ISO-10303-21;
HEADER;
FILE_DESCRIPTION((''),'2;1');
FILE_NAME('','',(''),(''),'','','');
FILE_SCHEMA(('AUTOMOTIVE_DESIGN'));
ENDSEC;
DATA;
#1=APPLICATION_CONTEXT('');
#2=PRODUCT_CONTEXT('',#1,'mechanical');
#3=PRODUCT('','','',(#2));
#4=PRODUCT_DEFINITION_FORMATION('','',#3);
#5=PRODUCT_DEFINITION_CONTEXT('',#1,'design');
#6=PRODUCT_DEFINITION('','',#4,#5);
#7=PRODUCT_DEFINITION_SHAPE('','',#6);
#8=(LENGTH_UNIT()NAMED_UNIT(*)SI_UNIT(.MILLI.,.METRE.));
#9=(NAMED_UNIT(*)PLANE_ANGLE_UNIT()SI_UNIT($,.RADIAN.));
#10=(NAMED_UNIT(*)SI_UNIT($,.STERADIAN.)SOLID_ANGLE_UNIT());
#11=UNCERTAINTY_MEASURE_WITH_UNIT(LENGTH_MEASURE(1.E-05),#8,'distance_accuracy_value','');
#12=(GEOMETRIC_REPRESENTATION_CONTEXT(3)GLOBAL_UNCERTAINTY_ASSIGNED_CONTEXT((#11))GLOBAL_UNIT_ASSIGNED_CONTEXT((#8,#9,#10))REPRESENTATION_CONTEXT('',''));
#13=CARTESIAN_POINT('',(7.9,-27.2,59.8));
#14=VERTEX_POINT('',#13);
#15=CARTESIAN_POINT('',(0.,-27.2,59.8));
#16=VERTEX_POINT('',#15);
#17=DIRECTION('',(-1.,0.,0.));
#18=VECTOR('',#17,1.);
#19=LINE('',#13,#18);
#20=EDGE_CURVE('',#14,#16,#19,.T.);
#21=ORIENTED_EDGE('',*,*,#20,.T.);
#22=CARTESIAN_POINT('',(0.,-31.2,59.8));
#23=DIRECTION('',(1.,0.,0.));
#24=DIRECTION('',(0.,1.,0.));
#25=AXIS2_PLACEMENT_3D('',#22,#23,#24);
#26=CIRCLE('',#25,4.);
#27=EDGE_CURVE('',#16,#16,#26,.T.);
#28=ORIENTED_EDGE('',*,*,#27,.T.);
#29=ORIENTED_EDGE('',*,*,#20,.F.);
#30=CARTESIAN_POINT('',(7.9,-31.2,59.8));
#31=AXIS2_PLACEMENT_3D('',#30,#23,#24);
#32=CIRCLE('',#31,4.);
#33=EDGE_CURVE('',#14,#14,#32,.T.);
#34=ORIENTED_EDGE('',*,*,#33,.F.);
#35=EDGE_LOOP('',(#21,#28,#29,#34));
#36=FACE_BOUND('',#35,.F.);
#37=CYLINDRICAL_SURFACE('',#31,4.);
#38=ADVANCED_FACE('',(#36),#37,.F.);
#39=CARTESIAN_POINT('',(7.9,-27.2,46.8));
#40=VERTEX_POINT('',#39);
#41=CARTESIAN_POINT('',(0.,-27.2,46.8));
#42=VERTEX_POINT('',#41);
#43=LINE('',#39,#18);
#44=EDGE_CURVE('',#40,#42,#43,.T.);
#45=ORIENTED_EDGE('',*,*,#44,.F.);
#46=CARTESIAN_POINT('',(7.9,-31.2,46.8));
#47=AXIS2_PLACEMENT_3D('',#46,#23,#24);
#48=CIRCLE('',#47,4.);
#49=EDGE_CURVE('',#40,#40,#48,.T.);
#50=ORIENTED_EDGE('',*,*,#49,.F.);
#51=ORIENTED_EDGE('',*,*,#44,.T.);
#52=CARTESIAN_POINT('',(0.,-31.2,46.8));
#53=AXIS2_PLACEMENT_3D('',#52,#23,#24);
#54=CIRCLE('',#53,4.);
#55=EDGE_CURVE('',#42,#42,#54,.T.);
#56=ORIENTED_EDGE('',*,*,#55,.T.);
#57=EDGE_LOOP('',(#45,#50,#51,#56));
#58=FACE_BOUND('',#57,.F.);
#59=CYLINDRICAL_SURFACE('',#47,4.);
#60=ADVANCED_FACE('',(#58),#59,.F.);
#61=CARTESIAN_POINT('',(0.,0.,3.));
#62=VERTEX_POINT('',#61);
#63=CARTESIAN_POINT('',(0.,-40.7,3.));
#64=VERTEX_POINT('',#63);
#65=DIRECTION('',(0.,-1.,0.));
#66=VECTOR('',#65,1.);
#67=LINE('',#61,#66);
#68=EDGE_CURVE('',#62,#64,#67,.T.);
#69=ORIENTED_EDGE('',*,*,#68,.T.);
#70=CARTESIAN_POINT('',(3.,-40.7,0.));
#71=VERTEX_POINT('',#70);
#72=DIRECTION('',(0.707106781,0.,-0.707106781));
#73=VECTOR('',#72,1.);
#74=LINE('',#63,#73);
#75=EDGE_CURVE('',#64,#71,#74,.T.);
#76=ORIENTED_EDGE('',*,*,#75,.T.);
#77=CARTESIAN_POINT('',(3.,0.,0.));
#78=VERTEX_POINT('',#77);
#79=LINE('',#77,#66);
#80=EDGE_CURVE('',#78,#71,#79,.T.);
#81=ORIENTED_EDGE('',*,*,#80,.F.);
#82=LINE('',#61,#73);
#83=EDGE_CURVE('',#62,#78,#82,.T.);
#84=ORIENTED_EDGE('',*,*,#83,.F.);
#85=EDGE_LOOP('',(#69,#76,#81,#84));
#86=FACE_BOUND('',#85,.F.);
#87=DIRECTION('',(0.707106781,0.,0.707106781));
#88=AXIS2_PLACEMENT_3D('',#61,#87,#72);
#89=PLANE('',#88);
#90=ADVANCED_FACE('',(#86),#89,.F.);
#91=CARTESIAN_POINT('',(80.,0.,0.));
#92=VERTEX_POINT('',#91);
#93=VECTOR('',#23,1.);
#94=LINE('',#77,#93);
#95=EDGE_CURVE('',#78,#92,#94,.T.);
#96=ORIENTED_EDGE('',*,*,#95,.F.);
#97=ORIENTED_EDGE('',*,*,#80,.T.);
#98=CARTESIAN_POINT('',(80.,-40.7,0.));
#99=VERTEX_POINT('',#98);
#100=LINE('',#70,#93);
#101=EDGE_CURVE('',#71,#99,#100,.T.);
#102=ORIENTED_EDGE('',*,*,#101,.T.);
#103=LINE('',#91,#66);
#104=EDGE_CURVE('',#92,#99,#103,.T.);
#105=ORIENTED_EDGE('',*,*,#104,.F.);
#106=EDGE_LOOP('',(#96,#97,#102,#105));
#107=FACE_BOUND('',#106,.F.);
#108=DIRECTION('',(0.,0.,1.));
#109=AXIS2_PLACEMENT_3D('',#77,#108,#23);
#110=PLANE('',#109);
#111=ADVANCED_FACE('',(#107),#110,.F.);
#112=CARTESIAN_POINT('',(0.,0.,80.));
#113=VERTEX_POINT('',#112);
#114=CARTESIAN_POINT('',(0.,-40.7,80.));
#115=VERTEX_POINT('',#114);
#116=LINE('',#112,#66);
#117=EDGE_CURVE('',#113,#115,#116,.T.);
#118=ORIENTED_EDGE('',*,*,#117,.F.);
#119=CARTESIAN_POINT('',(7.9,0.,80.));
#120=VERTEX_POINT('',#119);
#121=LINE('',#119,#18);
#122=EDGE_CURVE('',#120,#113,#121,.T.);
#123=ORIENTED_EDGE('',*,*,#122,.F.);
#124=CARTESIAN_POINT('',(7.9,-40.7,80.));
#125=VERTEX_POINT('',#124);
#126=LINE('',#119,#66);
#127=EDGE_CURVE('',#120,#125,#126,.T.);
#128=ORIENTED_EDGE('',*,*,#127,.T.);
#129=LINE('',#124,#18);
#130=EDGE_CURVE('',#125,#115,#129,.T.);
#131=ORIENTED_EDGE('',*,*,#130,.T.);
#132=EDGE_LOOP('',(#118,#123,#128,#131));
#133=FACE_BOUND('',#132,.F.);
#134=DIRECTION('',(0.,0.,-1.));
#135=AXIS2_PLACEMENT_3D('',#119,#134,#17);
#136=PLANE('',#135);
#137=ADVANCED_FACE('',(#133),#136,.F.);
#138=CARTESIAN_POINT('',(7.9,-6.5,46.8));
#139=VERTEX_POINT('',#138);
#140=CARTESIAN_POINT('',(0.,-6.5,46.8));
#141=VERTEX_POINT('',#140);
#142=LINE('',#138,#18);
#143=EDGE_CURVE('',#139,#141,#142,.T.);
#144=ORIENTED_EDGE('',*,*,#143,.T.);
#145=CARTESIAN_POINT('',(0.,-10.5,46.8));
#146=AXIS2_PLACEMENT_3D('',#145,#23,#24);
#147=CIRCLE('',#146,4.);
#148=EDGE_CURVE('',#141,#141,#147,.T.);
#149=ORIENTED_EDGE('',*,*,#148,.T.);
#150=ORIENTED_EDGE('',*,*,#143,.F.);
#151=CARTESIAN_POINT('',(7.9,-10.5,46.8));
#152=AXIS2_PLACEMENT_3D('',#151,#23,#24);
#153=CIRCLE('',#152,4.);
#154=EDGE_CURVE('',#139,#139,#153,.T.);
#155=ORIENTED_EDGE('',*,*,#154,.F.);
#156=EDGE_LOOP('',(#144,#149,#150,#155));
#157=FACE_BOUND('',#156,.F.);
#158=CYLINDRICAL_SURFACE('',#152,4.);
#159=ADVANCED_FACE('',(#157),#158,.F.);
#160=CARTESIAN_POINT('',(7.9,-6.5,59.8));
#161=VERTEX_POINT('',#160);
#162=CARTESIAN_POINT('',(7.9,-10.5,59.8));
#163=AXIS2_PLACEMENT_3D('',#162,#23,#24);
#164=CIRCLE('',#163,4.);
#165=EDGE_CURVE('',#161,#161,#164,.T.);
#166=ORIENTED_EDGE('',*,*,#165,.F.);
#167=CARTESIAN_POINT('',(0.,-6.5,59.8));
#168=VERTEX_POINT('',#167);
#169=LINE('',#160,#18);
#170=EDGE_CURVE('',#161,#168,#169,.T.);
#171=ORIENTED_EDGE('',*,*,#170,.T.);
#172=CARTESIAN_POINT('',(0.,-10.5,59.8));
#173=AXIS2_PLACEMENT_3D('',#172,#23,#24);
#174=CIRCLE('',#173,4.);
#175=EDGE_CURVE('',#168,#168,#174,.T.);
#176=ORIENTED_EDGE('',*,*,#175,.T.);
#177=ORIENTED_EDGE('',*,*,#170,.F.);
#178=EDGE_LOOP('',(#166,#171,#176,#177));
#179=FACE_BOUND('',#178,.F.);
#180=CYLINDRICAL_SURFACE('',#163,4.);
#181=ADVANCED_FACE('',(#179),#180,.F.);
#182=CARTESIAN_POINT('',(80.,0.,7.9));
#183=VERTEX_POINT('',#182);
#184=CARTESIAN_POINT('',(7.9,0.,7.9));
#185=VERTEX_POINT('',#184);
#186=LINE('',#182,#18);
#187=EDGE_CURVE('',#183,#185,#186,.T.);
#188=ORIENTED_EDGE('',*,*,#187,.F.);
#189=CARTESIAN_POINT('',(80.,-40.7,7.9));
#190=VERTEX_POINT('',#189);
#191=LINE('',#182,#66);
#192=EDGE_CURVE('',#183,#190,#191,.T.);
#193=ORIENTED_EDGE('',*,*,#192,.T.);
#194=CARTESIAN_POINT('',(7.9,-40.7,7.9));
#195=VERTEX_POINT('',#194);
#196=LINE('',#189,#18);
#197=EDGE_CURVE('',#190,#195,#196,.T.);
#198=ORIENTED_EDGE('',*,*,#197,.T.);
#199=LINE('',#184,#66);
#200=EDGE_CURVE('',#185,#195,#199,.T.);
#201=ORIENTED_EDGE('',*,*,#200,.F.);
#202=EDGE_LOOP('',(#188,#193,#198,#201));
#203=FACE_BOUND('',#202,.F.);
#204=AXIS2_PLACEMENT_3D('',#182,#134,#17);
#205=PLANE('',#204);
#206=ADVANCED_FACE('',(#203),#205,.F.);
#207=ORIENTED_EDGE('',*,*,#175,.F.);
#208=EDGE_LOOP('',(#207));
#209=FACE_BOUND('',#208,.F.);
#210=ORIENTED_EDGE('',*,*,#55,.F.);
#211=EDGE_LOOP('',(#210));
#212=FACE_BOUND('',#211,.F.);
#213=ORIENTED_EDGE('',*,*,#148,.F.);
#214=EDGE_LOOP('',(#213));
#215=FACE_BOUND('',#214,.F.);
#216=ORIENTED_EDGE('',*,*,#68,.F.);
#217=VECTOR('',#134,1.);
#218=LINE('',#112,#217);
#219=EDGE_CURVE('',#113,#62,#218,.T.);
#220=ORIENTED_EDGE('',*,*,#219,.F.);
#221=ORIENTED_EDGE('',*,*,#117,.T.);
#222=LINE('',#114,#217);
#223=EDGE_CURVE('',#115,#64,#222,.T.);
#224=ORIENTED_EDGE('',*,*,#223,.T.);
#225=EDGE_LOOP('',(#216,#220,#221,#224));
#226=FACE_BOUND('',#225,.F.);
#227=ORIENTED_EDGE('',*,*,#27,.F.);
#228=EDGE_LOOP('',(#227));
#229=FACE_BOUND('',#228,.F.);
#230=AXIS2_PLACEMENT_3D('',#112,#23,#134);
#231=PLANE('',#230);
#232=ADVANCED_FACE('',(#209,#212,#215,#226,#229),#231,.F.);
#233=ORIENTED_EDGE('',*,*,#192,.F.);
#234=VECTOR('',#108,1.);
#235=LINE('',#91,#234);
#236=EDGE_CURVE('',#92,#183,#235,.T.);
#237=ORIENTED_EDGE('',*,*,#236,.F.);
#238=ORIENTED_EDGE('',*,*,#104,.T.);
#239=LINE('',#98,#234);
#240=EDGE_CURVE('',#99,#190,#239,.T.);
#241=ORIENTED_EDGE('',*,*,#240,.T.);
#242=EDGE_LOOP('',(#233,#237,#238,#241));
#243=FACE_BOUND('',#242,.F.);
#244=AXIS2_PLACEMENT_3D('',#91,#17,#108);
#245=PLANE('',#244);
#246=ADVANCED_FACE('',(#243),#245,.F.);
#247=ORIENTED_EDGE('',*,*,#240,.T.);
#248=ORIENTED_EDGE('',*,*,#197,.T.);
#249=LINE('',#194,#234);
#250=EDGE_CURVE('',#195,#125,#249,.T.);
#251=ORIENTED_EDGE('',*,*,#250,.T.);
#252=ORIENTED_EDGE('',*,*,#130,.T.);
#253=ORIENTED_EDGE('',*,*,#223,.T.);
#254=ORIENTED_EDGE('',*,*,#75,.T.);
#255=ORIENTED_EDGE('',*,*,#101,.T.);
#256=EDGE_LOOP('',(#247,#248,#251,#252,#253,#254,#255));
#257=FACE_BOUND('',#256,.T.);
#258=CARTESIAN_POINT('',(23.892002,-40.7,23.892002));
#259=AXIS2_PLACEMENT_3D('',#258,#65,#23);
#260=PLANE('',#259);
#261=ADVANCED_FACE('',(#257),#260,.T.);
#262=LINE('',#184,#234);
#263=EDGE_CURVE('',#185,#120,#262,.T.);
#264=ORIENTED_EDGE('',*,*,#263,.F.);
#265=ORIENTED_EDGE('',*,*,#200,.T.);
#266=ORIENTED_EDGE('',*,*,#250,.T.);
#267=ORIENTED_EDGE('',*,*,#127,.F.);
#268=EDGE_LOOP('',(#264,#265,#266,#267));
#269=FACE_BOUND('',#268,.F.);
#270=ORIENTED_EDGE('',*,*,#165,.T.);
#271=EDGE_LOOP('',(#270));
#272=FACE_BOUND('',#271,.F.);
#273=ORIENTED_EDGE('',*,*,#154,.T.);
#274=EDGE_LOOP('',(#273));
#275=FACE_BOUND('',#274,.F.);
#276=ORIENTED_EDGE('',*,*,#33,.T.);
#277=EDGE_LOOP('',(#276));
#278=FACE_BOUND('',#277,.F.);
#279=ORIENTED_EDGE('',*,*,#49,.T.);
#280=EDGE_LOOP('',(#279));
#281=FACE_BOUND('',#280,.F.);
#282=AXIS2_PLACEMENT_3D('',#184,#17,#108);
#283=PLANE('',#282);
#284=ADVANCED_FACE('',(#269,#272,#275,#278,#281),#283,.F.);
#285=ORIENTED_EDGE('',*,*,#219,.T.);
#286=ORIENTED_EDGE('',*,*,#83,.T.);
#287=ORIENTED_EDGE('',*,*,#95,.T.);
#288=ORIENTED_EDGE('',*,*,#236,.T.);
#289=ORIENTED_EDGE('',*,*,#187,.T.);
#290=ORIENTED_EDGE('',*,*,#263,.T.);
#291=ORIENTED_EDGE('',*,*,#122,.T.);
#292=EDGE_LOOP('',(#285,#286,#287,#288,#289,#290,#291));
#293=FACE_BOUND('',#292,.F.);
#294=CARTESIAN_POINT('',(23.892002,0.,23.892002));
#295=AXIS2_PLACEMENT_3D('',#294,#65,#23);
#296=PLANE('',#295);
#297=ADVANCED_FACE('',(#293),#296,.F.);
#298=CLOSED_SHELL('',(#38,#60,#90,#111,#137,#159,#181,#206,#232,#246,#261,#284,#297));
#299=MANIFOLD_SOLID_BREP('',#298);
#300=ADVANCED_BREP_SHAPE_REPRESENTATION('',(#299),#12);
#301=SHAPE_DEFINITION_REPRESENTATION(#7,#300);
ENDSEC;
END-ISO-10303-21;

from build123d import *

# Parameters (mm, degrees)
F1_DEPTH = 40.7
F2_R     = 4
F3_DEPTH = 25


with BuildPart() as f1:
    # F0 (on Front) → F1 (new body)
    with BuildSketch(Plane.XZ):
        Polygon((7.9, 80), (0, 80), (0, 3), (3, 0), (80, 0), (80, 7.9), (7.9, 7.9), align=None)
    extrude(amount=F1_DEPTH)

    # F2 (on face) → F3 (cut)
    with BuildSketch(Plane.YZ.offset(7.9)):
        with Locations((-31.2, 59.8)):
            Circle(F2_R)
        with Locations((-31.2, 46.8)):
            Circle(F2_R)
        with Locations((-10.5, 46.8)):
            Circle(F2_R)
        with Locations((-10.5, 59.8)):
            Circle(F2_R)
    extrude(amount=-F3_DEPTH, mode=Mode.SUBTRACT)


solid = f1.part
